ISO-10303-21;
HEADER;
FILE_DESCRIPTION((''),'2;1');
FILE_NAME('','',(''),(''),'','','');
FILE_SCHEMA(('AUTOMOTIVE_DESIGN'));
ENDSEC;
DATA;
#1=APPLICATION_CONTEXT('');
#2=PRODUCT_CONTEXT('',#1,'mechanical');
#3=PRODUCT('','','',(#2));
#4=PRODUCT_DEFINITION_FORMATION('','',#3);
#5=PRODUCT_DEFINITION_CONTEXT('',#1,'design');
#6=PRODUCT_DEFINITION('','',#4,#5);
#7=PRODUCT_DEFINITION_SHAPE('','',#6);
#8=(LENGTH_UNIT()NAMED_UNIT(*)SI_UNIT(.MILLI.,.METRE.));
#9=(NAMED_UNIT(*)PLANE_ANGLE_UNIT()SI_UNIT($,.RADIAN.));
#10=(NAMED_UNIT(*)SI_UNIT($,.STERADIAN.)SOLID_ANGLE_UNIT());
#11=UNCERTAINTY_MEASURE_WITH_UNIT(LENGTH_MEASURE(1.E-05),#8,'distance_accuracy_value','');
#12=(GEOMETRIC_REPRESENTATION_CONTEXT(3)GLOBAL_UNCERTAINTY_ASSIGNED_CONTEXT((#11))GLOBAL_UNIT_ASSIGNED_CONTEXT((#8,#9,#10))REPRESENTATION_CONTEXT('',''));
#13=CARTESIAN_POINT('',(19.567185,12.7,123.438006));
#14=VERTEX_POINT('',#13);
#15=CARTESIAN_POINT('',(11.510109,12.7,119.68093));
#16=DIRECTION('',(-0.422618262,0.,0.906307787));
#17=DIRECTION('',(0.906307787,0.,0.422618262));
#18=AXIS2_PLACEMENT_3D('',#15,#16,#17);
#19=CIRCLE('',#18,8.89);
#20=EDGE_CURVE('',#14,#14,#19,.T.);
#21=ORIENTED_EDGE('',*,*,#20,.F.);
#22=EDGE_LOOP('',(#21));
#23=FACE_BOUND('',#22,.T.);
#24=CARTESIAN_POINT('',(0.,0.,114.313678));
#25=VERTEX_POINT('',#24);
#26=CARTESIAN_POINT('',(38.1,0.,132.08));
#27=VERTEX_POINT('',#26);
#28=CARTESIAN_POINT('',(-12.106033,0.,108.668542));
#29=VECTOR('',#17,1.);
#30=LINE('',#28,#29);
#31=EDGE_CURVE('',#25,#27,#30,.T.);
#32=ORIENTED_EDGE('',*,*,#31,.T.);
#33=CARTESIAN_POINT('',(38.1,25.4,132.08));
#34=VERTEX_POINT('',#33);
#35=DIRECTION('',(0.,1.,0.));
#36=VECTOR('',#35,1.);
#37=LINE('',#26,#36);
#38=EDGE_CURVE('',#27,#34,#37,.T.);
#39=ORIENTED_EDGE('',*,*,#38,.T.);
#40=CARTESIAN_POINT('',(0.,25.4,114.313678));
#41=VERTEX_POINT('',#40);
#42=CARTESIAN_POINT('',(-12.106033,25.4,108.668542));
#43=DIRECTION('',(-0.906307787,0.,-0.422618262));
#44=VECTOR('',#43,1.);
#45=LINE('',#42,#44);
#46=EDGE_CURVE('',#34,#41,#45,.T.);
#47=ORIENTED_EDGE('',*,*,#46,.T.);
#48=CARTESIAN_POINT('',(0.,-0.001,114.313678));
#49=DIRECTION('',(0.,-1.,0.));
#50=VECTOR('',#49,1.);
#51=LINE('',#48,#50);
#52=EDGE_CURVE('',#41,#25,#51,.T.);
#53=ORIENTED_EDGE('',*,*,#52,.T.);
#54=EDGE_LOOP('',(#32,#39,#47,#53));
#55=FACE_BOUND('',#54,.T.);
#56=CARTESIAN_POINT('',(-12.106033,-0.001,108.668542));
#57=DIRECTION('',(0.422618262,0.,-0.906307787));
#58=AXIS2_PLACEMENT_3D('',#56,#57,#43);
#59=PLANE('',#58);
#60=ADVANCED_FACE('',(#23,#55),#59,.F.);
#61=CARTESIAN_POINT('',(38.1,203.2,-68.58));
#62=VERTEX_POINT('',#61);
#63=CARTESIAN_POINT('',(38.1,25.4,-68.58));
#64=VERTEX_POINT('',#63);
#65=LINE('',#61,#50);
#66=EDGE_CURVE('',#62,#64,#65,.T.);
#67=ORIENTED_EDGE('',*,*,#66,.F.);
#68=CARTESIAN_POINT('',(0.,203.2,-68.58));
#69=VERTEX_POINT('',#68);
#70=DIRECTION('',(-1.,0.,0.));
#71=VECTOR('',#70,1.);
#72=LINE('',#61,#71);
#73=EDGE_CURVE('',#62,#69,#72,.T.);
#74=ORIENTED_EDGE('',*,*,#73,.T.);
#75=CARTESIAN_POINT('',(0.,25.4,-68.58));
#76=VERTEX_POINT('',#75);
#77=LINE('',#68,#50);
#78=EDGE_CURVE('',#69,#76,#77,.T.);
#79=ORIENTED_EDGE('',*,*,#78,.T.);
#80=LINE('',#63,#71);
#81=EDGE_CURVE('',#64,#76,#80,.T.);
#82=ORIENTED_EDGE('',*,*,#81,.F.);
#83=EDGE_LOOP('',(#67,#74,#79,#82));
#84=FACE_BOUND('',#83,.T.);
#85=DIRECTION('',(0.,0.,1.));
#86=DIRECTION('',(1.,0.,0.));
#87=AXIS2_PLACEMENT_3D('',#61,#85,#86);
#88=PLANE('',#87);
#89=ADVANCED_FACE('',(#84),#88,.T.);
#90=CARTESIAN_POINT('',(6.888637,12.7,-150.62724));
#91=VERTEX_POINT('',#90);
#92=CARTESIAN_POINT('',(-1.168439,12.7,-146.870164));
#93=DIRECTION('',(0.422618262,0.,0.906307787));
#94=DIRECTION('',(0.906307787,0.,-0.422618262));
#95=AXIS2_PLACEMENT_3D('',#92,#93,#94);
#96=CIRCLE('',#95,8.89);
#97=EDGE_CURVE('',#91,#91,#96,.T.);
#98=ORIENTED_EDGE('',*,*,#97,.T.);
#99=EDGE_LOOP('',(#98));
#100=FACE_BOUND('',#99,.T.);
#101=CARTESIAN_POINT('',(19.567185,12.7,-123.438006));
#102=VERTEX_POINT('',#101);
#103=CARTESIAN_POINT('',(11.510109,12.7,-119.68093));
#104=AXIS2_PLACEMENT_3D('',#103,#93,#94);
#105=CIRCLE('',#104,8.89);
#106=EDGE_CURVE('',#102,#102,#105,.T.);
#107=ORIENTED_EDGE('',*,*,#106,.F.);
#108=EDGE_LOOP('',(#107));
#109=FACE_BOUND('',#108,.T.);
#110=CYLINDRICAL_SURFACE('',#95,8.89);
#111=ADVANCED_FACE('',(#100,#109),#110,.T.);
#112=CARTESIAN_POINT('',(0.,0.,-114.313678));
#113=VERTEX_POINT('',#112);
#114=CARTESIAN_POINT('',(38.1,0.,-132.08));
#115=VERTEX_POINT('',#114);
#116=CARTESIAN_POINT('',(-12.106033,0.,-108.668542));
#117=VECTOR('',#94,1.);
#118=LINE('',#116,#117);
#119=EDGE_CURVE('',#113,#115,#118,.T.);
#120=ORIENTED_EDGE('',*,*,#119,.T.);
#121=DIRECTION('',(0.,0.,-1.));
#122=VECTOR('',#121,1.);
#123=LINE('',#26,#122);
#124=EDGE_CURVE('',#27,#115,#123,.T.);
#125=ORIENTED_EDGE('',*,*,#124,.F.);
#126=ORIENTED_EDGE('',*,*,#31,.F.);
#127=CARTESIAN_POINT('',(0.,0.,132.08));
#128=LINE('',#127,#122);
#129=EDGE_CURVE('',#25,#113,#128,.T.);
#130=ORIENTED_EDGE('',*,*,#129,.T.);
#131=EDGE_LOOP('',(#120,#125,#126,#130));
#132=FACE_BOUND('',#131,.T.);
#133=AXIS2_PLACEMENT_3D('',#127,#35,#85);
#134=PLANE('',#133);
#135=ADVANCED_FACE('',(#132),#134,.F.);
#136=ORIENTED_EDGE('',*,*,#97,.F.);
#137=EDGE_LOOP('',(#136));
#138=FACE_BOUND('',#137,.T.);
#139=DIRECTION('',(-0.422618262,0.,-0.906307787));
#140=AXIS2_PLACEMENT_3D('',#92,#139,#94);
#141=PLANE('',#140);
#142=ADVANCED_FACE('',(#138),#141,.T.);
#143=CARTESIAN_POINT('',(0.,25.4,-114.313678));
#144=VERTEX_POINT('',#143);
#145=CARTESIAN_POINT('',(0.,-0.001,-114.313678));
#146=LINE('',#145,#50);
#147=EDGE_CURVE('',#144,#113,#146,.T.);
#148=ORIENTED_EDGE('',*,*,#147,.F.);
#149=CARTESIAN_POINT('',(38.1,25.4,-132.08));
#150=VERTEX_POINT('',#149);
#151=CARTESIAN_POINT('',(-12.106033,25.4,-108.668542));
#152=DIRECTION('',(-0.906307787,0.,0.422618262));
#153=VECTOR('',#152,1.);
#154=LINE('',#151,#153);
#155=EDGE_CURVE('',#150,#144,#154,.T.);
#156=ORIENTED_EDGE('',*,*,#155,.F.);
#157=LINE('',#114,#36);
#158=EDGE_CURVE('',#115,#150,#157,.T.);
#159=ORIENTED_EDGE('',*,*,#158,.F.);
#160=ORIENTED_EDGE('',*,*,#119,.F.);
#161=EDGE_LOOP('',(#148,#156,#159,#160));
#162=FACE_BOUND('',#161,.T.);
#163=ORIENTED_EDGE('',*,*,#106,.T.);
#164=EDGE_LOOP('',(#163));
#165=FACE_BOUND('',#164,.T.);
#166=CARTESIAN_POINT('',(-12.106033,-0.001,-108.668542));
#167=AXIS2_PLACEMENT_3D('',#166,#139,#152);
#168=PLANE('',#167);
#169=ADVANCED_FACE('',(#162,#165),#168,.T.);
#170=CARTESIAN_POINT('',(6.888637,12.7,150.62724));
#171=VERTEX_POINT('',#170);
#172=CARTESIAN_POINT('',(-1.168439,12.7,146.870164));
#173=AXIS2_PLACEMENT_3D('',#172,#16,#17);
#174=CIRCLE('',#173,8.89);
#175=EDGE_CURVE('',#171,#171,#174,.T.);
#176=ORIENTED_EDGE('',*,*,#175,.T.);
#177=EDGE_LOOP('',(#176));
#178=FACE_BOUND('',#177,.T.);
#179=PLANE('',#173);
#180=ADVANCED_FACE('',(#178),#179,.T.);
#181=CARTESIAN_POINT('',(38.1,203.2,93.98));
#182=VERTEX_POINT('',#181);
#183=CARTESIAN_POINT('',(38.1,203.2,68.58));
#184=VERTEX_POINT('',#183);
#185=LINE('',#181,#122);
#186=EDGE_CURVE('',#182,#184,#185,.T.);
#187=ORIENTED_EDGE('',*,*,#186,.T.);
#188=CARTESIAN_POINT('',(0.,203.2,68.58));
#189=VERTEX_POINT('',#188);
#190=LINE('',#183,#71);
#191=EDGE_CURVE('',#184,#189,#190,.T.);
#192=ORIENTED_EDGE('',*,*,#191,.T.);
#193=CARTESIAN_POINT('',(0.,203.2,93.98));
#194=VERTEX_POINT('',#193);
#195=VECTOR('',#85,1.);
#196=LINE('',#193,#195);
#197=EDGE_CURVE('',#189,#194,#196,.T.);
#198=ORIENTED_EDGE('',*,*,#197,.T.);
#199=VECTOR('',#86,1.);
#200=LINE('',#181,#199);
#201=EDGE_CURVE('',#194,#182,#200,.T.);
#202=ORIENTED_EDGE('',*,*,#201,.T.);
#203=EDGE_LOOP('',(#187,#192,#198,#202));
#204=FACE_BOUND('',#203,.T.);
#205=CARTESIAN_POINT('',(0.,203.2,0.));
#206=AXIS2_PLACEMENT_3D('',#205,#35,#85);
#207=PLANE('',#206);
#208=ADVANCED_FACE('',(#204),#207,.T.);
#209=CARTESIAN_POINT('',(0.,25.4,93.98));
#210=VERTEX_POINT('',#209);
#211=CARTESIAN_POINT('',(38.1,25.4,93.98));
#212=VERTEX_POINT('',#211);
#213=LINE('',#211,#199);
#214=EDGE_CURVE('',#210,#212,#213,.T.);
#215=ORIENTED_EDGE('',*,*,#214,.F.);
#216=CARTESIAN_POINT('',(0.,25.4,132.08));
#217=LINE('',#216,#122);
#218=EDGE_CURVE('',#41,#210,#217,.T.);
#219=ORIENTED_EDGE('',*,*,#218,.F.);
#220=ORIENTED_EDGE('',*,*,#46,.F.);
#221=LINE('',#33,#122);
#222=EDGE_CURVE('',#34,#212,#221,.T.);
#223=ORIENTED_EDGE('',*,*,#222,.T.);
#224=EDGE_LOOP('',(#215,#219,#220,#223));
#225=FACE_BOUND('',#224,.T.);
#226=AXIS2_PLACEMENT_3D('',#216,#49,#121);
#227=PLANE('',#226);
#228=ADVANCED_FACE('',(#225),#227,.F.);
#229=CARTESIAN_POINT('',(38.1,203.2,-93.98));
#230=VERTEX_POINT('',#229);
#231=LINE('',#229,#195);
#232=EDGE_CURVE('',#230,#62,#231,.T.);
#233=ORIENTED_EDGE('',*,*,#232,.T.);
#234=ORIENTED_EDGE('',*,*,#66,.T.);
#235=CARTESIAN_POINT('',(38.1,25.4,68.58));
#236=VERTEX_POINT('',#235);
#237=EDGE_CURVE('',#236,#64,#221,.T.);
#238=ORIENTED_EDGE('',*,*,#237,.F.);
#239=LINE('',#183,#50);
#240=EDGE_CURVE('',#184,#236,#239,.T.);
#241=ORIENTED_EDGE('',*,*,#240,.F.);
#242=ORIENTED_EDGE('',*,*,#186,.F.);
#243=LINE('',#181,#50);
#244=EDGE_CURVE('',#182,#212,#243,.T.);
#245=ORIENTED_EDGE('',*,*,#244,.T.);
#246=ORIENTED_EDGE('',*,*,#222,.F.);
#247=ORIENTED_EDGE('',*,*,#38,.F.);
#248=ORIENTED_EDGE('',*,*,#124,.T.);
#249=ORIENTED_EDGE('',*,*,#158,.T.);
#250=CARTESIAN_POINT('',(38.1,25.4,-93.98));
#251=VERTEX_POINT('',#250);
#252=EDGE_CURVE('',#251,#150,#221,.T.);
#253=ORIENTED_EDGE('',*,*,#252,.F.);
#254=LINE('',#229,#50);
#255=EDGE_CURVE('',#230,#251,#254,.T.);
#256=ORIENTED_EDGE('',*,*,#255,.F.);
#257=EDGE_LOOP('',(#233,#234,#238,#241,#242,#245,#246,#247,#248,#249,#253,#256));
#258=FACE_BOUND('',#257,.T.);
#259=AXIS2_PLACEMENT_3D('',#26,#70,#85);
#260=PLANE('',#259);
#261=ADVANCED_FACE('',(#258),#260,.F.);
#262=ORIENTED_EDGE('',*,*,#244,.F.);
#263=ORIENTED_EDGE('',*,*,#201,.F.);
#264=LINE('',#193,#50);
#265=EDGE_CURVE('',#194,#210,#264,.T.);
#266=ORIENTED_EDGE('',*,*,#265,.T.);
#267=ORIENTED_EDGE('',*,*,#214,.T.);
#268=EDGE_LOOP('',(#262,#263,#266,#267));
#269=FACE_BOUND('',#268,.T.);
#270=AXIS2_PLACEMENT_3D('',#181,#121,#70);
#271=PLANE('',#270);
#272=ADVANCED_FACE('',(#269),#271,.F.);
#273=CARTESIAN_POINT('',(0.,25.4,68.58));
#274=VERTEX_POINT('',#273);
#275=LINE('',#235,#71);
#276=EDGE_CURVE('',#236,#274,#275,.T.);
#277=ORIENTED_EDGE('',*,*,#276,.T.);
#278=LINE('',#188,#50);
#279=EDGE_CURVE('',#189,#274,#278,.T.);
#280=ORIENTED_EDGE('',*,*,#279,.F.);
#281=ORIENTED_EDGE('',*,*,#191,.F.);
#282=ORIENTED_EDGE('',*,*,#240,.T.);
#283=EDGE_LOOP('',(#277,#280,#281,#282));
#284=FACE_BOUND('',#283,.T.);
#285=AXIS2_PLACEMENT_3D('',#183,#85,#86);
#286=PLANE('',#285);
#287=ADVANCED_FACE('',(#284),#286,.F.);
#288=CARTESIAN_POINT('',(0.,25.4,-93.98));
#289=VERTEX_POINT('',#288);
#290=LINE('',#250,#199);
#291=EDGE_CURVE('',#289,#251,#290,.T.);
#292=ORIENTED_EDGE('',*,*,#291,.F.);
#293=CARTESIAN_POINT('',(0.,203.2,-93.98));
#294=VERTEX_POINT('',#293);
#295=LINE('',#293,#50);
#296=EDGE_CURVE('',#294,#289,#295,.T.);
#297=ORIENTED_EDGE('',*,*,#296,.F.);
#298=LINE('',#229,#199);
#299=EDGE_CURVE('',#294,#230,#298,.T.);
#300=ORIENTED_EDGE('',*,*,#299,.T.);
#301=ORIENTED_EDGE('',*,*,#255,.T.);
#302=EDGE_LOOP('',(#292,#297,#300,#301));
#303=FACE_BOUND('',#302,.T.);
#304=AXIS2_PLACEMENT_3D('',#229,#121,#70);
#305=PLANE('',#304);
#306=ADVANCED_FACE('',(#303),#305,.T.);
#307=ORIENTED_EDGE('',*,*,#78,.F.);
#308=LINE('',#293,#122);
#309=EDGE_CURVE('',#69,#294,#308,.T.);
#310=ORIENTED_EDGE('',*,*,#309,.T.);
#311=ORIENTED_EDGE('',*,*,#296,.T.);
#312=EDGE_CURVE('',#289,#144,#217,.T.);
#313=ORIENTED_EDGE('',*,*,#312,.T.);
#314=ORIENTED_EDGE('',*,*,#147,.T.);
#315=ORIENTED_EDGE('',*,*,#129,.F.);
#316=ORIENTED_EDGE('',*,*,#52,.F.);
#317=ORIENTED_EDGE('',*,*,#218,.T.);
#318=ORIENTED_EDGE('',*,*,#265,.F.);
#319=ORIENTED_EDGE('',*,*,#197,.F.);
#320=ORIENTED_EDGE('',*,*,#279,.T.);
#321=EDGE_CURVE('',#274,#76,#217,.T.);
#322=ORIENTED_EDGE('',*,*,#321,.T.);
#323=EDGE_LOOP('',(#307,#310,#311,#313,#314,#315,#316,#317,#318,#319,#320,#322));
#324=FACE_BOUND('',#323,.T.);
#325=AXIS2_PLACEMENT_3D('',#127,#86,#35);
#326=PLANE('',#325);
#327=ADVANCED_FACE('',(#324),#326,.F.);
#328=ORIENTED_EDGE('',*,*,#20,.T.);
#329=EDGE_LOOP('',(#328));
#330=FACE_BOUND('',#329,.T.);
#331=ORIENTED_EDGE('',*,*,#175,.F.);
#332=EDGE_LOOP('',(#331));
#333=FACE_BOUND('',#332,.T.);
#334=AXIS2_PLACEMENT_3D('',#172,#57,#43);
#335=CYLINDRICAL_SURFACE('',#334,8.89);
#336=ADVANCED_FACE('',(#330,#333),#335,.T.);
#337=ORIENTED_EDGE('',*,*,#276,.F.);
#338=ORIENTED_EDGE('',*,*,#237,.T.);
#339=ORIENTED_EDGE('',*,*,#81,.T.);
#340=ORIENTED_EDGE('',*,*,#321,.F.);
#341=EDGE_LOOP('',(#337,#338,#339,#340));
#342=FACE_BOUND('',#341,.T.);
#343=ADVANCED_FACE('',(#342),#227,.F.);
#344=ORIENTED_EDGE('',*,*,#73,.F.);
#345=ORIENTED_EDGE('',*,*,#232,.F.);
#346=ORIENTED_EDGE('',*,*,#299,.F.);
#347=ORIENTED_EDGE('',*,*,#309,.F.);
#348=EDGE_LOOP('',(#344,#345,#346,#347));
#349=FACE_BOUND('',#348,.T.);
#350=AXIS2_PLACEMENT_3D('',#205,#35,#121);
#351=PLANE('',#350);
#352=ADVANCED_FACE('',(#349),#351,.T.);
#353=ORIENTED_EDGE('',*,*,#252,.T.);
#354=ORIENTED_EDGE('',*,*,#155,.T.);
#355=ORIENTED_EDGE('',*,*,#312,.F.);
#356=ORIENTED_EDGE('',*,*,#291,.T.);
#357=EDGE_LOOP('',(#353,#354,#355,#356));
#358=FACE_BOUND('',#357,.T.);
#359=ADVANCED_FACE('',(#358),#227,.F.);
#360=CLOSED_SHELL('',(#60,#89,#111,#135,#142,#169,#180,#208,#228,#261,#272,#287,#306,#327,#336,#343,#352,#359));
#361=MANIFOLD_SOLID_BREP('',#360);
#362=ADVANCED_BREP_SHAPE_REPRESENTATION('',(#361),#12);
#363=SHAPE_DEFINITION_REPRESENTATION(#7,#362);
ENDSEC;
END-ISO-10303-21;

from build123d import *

# Parameters (mm, degrees)
SKETCH1_W           = 38.1
SKETCH1_H           = 25.4
BOSS_EXTRUDE1_DEPTH = 132.08
SKETCH5_W           = 38.1
SKETCH5_H           = 25.4
BOSS_EXTRUDE3_DEPTH = 177.8
CUT_EXTRUDE1_DEPTH  = 25.4
SKETCH3_R           = 8.89
BOSS_EXTRUDE2_DEPTH = 30


with BuildPart() as part:
    # Sketch1 → Boss-Extrude1 (new body)
    with BuildSketch(Plane.XY):
        with Locations((19.05, 12.7)):
            Rectangle(SKETCH1_W, SKETCH1_H)
    boss_extrude1 = extrude(amount=BOSS_EXTRUDE1_DEPTH)

    # Sketch5 → Boss-Extrude3 (add)
    with BuildSketch(Plane(origin=(0, 25.4, 0), x_dir=(1, 0, 0), z_dir=(0, 1, 0))):
        with Locations((19.05, -81.28)):
            Rectangle(SKETCH5_W, SKETCH5_H)
    boss_extrude3 = extrude(amount=BOSS_EXTRUDE3_DEPTH)

    # Sketch2 → Cut-Extrude1 (cut)
    with BuildSketch(Plane(origin=(0, 25.4, 0), x_dir=(1, 0, 0), z_dir=(0, 1, 0))):
        Polygon((-12.106033358, -108.66854216), (38.1, -132.08), (54.824729612, -172.409676007), (-49.386286867, -161.765658866), align=None)
    cut_extrude1 = extrude(amount=-CUT_EXTRUDE1_DEPTH, mode=Mode.SUBTRACT)

    # Mirror2: Boss-Extrude1, Boss-Extrude3, Cut-Extrude1 across plane
    add(boss_extrude1.mirror(Plane(origin=(0, 0, 0), x_dir=(1, 0, 0), z_dir=(0, 0, -1))))
    add(boss_extrude3.mirror(Plane(origin=(0, 0, 0), x_dir=(1, 0, 0), z_dir=(0, 0, -1))))
    add(cut_extrude1.mirror(Plane(origin=(0, 0, 0), x_dir=(1, 0, 0), z_dir=(0, 0, -1))), mode=Mode.SUBTRACT)

    # Sketch3 → Boss-Extrude2 (add)
    with BuildSketch(Plane(origin=(-43.784678988, 0, 93.896547102), x_dir=(0.906307787, 0, 0.422618262), z_dir=(-0.422618262, 0, 0.906307787))):
        with Locations((61.011047984, 12.7)):
            Circle(SKETCH3_R)
    boss_extrude2 = extrude(amount=BOSS_EXTRUDE2_DEPTH)

    # Mirror3: Boss-Extrude2 across plane
    add(boss_extrude2.mirror(Plane.XY))


solid = part.part
